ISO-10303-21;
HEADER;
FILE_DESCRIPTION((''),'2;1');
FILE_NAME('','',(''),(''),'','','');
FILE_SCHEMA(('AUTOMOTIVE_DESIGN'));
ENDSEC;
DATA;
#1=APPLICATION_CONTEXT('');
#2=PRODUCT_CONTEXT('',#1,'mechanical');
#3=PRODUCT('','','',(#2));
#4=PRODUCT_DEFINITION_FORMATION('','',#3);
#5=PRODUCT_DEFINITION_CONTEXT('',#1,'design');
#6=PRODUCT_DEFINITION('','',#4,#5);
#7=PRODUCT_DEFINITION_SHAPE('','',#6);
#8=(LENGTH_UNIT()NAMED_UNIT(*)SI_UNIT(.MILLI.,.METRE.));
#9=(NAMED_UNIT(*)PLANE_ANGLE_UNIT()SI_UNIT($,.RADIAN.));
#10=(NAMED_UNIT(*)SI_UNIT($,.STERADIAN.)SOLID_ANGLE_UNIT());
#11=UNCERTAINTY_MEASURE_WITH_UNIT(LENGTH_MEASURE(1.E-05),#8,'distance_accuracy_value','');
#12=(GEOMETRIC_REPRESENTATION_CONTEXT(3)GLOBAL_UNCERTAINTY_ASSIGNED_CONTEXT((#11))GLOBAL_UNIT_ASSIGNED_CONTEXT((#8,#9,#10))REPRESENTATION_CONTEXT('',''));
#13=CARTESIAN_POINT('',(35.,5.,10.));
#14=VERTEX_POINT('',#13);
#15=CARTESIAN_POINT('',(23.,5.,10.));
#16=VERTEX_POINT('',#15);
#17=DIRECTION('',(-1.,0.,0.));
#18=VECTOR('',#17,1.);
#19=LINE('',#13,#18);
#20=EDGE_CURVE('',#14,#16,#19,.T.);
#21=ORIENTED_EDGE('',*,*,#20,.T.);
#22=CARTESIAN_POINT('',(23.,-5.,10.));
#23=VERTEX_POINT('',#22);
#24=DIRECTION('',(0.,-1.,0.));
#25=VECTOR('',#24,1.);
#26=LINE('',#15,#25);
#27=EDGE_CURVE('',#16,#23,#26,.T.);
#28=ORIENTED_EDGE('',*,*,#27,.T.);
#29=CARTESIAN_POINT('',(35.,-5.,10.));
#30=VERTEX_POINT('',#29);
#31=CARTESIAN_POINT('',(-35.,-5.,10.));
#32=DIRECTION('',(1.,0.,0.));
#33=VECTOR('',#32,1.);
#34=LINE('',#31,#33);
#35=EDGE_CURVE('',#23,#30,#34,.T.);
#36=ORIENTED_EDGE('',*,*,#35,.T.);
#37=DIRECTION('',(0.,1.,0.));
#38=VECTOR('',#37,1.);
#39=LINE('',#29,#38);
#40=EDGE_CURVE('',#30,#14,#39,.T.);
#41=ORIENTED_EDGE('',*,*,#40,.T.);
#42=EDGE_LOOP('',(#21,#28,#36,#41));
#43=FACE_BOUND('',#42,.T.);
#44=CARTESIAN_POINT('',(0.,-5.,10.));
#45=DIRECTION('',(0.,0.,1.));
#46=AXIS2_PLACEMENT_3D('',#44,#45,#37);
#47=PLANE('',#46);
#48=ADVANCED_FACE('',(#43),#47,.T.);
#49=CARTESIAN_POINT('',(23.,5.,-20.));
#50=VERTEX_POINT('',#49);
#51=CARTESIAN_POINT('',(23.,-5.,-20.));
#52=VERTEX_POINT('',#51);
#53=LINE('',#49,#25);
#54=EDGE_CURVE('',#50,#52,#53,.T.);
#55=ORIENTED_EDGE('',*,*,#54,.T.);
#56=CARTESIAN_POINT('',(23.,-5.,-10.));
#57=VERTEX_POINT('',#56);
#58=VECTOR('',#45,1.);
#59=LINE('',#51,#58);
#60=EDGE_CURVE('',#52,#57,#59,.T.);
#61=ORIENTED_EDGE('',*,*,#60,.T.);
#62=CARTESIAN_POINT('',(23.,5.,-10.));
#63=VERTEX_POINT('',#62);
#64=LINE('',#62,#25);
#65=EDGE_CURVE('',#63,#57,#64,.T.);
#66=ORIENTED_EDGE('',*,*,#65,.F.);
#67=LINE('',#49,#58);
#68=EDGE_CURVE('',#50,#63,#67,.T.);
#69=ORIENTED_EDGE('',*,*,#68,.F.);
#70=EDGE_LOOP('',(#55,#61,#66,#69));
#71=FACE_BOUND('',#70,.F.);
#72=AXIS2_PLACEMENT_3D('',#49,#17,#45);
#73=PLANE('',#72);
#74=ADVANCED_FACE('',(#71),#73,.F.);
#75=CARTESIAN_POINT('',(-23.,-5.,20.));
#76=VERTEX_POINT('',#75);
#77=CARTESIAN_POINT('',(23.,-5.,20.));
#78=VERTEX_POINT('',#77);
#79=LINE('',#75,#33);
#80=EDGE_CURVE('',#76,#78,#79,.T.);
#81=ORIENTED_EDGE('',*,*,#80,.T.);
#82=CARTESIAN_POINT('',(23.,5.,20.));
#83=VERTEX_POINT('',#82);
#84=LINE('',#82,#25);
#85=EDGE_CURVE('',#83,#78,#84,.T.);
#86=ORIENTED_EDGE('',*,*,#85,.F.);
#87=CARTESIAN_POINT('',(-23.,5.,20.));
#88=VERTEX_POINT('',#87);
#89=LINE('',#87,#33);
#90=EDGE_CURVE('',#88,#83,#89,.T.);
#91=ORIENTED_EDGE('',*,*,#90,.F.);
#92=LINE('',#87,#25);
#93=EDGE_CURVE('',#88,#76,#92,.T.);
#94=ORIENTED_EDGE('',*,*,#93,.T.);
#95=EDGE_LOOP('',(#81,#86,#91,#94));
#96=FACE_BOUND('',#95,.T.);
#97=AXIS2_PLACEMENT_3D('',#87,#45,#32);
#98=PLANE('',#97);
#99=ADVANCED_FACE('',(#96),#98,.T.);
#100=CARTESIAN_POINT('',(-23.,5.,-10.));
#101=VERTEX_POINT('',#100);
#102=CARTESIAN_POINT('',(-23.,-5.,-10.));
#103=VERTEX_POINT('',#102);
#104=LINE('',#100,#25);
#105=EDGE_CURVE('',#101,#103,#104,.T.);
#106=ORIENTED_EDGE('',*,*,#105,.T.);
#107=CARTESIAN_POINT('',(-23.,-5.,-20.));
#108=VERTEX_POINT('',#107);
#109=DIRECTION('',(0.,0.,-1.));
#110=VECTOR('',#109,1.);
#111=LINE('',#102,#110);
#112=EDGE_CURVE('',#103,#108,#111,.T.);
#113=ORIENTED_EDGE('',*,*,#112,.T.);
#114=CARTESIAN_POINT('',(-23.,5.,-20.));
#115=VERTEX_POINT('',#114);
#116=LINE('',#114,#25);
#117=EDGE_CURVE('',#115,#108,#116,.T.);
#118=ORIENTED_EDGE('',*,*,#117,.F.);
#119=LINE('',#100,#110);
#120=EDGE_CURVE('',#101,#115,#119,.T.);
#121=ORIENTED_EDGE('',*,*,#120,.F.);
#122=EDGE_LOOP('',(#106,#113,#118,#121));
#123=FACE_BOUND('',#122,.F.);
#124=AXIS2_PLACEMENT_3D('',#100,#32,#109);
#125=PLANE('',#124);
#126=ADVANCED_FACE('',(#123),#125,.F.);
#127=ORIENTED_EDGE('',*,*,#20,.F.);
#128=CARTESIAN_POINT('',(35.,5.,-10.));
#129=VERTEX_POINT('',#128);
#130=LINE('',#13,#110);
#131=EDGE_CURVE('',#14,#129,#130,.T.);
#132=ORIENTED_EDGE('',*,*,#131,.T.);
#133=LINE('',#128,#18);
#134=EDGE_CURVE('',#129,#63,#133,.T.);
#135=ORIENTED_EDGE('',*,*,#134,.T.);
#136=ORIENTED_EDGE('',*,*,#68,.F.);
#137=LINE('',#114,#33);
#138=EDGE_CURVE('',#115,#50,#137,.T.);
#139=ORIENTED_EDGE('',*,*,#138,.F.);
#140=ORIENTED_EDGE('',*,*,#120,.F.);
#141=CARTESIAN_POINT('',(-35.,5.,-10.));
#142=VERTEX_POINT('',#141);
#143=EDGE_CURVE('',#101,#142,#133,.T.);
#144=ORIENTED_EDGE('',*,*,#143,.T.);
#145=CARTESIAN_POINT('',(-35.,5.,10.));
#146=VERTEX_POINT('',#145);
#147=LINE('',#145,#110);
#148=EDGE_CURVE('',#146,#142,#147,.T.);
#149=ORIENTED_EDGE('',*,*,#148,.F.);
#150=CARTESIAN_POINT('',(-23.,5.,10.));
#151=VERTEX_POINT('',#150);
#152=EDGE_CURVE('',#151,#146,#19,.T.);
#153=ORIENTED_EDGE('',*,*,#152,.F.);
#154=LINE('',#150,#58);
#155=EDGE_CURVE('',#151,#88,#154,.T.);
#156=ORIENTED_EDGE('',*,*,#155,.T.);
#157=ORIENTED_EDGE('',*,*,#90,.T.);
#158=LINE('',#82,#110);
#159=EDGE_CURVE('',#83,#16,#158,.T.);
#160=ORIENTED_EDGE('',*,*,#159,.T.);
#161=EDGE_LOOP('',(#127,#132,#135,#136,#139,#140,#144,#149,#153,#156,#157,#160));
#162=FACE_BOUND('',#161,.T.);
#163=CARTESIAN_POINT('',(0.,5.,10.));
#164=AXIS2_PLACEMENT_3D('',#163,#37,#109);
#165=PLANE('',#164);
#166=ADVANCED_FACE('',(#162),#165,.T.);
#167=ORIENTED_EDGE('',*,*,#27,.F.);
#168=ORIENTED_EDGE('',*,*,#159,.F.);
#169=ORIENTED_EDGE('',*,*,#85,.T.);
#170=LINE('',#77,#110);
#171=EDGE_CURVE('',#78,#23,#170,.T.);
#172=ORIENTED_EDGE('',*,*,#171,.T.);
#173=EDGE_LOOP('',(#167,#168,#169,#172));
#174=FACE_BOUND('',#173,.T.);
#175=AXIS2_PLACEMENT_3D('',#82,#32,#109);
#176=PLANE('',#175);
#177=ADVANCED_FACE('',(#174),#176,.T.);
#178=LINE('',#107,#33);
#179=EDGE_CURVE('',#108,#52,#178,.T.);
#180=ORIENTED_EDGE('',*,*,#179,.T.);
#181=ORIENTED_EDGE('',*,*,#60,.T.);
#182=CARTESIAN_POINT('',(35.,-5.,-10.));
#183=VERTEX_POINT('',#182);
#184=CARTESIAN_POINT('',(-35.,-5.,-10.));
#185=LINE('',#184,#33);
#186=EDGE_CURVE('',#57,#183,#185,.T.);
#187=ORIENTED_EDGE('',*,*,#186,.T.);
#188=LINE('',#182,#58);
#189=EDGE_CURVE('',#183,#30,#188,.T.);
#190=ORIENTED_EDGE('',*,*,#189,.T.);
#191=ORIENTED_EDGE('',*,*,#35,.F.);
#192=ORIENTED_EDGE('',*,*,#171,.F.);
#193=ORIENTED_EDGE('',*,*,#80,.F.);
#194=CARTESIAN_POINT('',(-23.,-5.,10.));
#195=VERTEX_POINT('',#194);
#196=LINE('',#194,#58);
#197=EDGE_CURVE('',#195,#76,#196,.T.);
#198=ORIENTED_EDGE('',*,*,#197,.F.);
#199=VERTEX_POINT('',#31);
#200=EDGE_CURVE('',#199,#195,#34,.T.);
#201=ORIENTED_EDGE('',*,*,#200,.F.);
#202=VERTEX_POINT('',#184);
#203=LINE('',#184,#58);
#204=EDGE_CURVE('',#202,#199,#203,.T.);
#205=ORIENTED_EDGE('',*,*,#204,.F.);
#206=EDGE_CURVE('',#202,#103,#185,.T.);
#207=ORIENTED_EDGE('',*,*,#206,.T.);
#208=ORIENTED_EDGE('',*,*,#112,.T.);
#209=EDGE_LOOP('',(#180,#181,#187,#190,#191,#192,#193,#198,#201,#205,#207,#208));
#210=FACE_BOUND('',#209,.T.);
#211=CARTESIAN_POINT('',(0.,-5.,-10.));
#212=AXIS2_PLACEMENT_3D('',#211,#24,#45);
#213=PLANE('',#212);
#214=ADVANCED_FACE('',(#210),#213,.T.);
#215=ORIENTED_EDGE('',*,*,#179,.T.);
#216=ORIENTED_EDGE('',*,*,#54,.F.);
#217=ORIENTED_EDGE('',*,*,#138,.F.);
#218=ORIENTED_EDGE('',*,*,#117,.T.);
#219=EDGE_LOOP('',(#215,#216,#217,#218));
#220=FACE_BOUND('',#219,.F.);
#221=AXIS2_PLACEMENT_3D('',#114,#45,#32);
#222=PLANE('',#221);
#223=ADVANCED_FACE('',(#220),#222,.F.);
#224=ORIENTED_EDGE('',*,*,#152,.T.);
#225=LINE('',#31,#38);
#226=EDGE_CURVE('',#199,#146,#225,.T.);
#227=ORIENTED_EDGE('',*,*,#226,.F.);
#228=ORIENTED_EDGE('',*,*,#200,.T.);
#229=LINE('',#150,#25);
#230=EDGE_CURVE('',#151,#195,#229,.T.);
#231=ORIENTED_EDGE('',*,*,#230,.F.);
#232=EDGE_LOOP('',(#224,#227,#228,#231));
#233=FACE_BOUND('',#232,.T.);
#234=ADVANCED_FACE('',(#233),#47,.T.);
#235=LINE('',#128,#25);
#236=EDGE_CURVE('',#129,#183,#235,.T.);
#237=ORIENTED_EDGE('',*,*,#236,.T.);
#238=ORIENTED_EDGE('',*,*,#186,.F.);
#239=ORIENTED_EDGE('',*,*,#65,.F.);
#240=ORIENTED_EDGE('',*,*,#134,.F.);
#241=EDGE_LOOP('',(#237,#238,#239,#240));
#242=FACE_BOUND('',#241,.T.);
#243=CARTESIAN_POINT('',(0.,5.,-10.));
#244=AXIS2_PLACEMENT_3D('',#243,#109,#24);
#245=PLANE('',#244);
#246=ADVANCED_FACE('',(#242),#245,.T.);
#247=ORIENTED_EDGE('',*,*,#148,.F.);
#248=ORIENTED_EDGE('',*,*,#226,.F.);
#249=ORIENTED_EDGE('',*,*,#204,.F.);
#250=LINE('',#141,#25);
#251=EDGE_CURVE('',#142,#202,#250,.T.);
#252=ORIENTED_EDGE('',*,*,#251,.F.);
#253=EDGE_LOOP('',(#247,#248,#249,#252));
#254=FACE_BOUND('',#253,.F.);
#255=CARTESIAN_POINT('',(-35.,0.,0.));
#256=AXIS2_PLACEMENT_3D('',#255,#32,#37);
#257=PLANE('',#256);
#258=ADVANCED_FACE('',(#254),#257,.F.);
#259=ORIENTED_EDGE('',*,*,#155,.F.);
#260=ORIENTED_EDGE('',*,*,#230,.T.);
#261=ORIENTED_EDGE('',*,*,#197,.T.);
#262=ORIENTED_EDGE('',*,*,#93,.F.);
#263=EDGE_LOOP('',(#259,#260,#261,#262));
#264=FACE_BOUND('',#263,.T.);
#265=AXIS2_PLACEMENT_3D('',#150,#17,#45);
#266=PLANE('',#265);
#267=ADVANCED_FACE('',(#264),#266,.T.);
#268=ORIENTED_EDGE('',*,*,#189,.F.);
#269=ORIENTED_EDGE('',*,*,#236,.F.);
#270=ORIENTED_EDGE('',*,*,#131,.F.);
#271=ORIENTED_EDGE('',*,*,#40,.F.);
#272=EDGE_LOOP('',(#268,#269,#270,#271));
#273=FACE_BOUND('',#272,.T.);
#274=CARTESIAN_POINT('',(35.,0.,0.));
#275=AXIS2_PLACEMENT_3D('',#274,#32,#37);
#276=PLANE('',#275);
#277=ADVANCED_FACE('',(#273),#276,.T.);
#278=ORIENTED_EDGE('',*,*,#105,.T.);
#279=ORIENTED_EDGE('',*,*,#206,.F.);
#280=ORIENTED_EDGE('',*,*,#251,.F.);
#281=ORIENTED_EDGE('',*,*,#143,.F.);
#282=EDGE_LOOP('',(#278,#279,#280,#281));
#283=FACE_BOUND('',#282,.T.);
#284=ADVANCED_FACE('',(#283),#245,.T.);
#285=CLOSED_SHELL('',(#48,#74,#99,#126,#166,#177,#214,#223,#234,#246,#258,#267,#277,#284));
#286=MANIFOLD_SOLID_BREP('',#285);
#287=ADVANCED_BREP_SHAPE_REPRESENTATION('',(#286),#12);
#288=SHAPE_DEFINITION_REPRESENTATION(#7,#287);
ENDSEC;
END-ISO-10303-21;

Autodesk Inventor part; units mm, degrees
ref_plane "YZ Plane" through (0, 0, 0) normal (1, 0, 0) x (0, 1, 0)
ref_plane "XZ Plane" through (0, 0, 0) normal (0, 1, 0) x (-1, 0, 0)
ref_plane "XY Plane" through (0, 0, 0) normal (0, 0, 1) x (1, 0, 0)
sketch "Эскиз1" plane through (0, 0, 0) normal (1, 0, 0) x (0, 1, 0)
  line L0 (-5, 10) -> (5, 10)
  line L1 (5, 10) -> (5, -10)
  line L2 (5, -10) -> (-5, -10)
  line L3 (-5, -10) -> (-5, 10)
  line L4 (-5, 10) -> (5, -10) construction
  line L5 (5, 10) -> (-5, -10) construction
  point P0 (0, 0)
  dimension "d0" = 10
  dimension "d1" = 20
extrude "Выдавливание1" add sketch "Эскиз1" along normal mid plane 70
sketch "Эскиз2" plane through (-35, 5, 10) normal (0, 1, 0) x (1, 0, 0)
  line L0 (58, -42.6795) -> (58, 140) construction
  line L1 (70, 140) -> (70, -60) construction
  line L2 (0, 20) -> (70, 20) construction
  line L3 (0, 0) -> (70, 0) construction
  line L4 (58, 20) -> (12, 20)
  line L5 (12, 20) -> (12, 30)
  line L6 (12, 30) -> (58, 30)
  line L7 (58, 30) -> (58, 20)
  line L8 (0, 0) -> (0, 20) projected
  line L9 (58, 0) -> (12, 0)
  line L10 (12, 0) -> (12, -10)
  line L11 (12, -10) -> (58, -10)
  line L12 (58, -10) -> (58, 0)
  dimension "d27" = 10
  dimension "d28" = 10
  dimension "d30" = 12
  dimension "d31" = 46
  dimension "d32" = 46
  dimension "d33" = 12
extrude "Выдавливание2" add sketch "Эскиз2" against normal blind 10
equation "\"d28\" = d27"
equation "\"d30\" = d26"
equation "\"d32\" = d31"
equation "\"d26\" = d25"
equation "\"d25\" = 12"
properties part number "Подставка для двигателя и драйвера"
